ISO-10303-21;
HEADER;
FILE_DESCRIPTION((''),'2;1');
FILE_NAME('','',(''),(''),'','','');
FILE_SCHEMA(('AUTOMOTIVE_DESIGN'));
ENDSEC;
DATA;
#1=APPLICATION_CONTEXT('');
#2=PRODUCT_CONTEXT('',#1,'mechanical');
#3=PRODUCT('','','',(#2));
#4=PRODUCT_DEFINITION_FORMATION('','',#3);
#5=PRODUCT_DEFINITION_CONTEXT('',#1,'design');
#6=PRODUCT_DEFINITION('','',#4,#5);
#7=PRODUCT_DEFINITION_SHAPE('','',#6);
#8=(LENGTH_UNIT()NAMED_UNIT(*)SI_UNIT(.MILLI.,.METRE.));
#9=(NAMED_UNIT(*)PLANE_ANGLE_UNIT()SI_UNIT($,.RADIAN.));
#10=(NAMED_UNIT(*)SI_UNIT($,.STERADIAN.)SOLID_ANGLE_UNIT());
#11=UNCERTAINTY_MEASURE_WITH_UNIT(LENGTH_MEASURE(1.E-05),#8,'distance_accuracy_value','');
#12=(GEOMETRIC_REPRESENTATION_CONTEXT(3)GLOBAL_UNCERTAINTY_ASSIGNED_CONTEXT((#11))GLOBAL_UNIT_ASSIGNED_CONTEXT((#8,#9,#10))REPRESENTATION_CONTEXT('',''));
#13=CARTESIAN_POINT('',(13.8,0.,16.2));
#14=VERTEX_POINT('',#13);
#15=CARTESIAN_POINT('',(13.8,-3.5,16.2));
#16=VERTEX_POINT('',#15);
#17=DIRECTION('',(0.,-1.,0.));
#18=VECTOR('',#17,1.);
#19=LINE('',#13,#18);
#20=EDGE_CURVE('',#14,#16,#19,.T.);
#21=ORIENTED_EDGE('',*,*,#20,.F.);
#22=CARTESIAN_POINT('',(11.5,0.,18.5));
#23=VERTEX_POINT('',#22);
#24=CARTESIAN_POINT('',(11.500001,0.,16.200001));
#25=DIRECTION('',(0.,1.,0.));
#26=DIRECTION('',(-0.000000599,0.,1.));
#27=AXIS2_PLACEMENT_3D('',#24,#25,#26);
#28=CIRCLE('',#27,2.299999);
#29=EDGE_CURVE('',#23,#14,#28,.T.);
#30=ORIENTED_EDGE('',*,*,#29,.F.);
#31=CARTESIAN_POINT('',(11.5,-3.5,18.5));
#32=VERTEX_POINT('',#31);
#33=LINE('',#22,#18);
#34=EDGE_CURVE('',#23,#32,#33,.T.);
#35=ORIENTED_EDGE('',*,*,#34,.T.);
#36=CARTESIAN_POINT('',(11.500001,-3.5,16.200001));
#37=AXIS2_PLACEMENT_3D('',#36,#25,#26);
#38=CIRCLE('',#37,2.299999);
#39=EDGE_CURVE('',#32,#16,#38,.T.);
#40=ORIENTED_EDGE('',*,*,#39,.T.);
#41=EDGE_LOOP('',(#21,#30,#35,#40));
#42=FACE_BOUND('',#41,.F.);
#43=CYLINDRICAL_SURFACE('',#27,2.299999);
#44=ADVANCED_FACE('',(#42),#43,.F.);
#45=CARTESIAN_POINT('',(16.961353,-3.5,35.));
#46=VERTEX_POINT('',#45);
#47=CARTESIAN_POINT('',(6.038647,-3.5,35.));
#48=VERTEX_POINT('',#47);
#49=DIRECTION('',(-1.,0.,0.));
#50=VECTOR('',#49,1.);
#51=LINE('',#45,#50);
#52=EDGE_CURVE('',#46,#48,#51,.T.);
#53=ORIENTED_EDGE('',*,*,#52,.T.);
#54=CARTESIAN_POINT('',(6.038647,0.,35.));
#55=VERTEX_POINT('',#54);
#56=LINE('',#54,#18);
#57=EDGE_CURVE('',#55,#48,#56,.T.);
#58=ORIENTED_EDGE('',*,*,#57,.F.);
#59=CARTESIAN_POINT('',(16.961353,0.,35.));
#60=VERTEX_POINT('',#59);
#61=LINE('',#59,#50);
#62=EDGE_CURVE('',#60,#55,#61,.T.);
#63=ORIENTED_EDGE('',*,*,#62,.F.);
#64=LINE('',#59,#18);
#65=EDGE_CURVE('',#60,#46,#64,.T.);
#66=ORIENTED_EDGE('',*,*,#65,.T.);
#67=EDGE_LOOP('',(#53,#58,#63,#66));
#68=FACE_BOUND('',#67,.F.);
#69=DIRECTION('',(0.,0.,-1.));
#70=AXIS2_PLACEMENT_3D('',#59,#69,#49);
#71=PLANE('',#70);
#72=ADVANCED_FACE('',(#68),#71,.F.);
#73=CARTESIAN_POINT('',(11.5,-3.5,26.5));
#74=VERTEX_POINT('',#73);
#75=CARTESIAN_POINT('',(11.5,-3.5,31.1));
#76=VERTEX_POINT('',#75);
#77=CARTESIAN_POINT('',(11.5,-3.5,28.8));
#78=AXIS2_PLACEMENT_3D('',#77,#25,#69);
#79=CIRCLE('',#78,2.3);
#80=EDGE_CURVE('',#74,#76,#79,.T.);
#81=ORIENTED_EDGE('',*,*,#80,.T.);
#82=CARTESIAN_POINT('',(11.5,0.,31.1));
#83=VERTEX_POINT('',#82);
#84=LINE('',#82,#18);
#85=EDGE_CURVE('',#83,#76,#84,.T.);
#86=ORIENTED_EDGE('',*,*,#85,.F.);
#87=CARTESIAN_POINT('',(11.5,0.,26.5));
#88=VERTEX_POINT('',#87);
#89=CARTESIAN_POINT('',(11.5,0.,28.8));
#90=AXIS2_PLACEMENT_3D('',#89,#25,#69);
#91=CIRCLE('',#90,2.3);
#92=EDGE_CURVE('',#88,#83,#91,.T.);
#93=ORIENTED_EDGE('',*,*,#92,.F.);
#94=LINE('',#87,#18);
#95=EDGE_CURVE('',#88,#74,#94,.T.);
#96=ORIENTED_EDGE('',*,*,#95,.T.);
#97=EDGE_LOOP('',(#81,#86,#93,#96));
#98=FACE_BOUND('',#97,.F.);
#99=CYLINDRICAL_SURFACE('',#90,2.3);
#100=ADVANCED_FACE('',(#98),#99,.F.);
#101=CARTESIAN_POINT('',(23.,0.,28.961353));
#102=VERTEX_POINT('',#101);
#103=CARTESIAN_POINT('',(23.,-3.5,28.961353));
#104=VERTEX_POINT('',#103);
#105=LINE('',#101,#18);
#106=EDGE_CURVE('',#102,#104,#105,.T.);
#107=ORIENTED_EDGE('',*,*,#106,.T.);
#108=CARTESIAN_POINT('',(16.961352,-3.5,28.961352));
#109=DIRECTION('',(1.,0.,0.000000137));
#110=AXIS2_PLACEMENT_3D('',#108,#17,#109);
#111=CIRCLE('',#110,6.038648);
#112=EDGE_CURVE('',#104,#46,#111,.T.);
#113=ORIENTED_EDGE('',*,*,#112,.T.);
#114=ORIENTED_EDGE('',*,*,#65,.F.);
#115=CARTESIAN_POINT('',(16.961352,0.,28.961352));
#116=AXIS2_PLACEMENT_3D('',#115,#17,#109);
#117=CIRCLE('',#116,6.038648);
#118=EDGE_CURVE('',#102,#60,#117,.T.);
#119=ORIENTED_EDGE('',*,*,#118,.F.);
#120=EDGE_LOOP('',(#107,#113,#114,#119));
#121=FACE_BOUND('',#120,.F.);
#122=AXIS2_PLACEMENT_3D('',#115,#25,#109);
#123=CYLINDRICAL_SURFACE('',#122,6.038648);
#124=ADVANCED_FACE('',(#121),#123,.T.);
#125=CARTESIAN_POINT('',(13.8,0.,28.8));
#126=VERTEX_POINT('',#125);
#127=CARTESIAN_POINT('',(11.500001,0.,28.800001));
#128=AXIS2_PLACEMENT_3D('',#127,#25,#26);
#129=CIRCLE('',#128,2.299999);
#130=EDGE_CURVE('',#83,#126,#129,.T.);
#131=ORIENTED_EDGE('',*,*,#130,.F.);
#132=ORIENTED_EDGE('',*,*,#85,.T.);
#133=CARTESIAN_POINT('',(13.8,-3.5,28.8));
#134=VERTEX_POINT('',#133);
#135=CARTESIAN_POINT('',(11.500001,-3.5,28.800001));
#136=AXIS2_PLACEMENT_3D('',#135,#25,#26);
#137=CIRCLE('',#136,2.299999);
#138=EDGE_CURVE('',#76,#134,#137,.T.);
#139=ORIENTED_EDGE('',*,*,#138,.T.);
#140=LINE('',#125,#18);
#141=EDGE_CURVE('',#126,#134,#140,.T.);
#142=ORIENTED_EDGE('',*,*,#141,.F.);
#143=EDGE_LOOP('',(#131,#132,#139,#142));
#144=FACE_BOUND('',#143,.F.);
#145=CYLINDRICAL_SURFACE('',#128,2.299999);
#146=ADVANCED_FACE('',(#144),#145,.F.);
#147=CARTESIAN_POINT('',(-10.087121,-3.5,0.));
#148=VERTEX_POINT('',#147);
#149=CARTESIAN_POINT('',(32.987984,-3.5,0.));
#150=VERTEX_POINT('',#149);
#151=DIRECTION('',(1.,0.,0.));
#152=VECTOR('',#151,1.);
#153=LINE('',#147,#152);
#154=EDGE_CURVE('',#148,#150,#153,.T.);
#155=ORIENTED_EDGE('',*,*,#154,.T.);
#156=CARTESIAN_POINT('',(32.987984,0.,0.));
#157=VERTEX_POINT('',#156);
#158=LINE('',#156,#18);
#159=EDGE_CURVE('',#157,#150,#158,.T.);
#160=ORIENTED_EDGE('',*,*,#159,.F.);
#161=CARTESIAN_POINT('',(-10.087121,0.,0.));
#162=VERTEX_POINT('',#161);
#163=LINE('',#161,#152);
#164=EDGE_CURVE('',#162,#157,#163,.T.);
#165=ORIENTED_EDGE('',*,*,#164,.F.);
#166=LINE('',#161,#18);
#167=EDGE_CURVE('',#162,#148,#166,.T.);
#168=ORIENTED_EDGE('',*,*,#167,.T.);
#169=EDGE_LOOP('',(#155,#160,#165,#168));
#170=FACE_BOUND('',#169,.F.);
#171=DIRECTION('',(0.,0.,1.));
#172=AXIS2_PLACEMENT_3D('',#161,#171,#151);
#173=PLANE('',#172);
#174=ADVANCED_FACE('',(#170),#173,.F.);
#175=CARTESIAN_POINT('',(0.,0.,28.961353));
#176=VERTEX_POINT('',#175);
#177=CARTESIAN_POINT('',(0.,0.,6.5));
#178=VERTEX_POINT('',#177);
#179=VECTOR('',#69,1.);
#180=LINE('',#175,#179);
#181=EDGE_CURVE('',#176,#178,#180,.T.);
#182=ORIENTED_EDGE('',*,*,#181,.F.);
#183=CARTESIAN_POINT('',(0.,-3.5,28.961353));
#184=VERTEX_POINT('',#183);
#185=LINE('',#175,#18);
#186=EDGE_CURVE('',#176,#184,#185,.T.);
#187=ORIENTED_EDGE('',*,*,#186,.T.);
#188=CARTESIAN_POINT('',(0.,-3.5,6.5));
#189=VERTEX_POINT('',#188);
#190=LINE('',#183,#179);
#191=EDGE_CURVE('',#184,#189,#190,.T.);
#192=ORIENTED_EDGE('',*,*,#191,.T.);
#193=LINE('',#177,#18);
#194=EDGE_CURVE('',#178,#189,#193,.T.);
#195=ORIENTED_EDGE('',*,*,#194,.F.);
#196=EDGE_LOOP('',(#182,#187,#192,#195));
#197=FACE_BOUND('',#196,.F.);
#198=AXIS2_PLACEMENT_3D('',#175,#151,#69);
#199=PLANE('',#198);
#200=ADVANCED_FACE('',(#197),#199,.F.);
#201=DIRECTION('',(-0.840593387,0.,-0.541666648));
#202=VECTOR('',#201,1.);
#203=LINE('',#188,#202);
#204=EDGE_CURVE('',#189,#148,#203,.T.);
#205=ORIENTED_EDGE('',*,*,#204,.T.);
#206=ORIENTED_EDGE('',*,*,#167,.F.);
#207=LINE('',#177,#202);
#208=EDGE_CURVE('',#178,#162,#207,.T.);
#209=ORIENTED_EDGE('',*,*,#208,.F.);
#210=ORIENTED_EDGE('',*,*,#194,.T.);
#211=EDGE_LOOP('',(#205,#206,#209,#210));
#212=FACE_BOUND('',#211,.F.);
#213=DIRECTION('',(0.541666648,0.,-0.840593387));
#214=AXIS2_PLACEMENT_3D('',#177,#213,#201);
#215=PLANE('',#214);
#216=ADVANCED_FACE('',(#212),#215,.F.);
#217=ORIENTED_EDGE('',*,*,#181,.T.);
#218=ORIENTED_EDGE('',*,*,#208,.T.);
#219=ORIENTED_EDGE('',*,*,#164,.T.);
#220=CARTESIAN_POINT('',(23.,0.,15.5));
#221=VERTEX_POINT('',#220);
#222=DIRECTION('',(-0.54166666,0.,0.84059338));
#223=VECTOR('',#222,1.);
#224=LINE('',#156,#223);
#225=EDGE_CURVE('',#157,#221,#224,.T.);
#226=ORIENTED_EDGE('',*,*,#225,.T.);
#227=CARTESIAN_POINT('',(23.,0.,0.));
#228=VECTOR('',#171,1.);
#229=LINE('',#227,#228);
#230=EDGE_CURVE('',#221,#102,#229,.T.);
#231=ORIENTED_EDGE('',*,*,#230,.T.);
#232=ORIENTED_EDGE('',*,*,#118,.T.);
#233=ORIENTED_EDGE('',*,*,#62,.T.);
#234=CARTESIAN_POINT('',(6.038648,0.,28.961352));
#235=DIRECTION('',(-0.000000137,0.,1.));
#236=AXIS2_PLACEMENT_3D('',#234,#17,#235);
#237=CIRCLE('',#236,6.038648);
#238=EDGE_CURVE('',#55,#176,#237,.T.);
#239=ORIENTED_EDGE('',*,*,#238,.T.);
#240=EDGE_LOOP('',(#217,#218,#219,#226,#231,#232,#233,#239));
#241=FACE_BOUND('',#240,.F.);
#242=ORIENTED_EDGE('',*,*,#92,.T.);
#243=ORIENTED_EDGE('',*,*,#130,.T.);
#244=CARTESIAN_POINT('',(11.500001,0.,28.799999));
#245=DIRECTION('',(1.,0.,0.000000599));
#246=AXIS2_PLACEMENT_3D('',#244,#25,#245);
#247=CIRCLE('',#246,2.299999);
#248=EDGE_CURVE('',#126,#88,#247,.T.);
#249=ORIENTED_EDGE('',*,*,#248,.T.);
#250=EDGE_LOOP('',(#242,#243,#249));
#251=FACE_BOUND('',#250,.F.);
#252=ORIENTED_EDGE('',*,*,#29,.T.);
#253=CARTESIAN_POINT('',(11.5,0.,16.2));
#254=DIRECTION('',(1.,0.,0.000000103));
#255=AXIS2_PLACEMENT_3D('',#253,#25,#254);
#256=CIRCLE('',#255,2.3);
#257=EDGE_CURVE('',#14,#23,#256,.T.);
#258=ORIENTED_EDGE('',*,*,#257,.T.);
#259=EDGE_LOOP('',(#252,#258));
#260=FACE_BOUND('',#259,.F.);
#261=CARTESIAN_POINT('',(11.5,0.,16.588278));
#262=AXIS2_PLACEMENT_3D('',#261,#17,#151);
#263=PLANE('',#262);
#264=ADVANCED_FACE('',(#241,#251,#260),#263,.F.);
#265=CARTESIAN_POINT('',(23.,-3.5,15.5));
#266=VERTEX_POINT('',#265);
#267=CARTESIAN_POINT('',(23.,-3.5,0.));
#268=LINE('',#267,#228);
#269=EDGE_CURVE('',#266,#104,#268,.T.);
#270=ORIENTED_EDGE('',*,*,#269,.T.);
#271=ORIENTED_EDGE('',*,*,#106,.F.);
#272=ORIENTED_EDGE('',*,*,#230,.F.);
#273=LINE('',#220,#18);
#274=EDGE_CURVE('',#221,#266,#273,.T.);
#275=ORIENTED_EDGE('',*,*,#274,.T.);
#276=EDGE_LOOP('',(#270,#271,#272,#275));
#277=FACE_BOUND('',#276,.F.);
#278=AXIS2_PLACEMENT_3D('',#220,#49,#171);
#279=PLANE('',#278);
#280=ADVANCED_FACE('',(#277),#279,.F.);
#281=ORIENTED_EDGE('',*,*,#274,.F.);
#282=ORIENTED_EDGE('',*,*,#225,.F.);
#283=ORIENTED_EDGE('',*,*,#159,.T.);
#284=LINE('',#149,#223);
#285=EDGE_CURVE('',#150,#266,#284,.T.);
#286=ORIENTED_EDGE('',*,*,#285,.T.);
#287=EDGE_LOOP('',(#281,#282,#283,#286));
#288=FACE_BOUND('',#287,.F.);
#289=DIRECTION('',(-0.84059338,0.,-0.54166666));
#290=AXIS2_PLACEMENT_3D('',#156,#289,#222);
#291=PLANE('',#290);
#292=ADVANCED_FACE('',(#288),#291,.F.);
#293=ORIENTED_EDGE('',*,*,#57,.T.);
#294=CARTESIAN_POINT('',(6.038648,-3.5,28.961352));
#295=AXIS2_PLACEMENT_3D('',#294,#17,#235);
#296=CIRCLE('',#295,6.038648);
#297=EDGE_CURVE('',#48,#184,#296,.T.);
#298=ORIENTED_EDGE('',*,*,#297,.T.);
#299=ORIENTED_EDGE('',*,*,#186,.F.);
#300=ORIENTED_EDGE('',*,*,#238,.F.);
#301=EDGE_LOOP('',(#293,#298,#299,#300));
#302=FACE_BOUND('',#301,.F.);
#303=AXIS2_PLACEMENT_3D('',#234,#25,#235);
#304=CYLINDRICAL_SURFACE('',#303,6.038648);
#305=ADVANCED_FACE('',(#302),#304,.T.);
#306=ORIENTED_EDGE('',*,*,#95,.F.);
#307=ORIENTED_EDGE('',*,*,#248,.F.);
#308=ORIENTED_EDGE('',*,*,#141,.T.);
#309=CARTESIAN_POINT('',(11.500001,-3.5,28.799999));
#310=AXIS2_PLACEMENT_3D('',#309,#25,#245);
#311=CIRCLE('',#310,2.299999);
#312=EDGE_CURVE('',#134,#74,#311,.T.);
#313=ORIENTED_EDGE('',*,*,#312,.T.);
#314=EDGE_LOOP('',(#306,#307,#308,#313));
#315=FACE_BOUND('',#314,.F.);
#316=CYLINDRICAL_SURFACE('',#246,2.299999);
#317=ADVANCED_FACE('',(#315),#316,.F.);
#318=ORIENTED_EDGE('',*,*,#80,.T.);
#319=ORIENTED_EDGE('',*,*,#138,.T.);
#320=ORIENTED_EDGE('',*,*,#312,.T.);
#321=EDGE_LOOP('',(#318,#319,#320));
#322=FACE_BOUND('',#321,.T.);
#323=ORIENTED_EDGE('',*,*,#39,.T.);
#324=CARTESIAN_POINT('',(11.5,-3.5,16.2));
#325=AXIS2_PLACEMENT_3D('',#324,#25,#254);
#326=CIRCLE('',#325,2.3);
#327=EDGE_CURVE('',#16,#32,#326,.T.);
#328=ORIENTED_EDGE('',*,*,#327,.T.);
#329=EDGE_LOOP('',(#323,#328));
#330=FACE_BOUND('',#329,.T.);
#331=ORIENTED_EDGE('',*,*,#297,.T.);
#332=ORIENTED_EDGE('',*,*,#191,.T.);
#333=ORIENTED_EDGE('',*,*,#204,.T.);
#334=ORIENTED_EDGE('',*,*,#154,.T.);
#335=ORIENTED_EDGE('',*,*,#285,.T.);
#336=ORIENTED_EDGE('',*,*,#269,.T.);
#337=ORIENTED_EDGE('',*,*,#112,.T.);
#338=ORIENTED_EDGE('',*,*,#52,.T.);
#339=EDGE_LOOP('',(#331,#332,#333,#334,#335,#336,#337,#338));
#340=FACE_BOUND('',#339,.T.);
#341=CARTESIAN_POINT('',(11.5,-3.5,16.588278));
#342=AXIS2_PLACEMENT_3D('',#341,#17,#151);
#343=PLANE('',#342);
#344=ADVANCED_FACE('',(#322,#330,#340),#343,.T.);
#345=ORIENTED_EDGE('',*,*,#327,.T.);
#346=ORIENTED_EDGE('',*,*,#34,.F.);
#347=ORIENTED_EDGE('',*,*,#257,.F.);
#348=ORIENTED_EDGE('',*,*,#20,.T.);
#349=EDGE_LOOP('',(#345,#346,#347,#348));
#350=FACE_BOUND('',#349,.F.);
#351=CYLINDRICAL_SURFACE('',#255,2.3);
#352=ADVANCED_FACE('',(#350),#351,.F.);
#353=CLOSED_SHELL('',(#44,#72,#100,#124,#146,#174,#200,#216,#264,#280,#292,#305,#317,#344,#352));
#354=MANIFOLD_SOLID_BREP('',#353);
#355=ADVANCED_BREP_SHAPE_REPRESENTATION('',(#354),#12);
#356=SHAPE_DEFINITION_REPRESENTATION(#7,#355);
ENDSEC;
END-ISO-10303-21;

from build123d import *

# Parameters (mm, degrees)
F1_DEPTH = 3.5


with BuildPart() as f1:
    # F0 (on Front) → F1 (new body)
    with BuildSketch(Plane.XZ):
        with BuildLine():
            Line((0, 6.5), (0, 0))
            Line((0, 0), (23, 0))
            Line((23, 0), (23, 15.5))
            Line((23, 15.5), (23, 28.961353))
            ThreePointArc((23, 28.961353), (21.231321, 33.231321), (16.961353, 35))
            Line((16.961353, 35), (11.5, 35))
            Line((11.5, 35), (6.038647, 35))
            ThreePointArc((6.038647, 35), (1.768679, 33.231321), (0, 28.961353))
            Line((0, 28.961353), (0, 6.5))
        make_face()
        with BuildLine():
            ThreePointArc((13.8, 16.2), (9.873654, 14.573654), (11.5, 18.5))
            ThreePointArc((11.5, 18.5), (13.126346, 17.826346), (13.8, 16.2))
        make_face(mode=Mode.SUBTRACT)
        with BuildLine():
            ThreePointArc((11.5, 26.5), (9.2, 28.8), (11.5, 31.1))
            ThreePointArc((11.5, 31.1), (13.126346, 30.426346), (13.8, 28.8))
            ThreePointArc((13.8, 28.8), (13.126346, 27.173654), (11.5, 26.5))
        make_face(mode=Mode.SUBTRACT)
        Polygon((23, 15.5), (23, 0), (32.987984, 0), align=None)
        Polygon((-10.087121, 0), (0, 0), (0, 6.5), align=None)
    extrude(amount=F1_DEPTH)


solid = f1.part
